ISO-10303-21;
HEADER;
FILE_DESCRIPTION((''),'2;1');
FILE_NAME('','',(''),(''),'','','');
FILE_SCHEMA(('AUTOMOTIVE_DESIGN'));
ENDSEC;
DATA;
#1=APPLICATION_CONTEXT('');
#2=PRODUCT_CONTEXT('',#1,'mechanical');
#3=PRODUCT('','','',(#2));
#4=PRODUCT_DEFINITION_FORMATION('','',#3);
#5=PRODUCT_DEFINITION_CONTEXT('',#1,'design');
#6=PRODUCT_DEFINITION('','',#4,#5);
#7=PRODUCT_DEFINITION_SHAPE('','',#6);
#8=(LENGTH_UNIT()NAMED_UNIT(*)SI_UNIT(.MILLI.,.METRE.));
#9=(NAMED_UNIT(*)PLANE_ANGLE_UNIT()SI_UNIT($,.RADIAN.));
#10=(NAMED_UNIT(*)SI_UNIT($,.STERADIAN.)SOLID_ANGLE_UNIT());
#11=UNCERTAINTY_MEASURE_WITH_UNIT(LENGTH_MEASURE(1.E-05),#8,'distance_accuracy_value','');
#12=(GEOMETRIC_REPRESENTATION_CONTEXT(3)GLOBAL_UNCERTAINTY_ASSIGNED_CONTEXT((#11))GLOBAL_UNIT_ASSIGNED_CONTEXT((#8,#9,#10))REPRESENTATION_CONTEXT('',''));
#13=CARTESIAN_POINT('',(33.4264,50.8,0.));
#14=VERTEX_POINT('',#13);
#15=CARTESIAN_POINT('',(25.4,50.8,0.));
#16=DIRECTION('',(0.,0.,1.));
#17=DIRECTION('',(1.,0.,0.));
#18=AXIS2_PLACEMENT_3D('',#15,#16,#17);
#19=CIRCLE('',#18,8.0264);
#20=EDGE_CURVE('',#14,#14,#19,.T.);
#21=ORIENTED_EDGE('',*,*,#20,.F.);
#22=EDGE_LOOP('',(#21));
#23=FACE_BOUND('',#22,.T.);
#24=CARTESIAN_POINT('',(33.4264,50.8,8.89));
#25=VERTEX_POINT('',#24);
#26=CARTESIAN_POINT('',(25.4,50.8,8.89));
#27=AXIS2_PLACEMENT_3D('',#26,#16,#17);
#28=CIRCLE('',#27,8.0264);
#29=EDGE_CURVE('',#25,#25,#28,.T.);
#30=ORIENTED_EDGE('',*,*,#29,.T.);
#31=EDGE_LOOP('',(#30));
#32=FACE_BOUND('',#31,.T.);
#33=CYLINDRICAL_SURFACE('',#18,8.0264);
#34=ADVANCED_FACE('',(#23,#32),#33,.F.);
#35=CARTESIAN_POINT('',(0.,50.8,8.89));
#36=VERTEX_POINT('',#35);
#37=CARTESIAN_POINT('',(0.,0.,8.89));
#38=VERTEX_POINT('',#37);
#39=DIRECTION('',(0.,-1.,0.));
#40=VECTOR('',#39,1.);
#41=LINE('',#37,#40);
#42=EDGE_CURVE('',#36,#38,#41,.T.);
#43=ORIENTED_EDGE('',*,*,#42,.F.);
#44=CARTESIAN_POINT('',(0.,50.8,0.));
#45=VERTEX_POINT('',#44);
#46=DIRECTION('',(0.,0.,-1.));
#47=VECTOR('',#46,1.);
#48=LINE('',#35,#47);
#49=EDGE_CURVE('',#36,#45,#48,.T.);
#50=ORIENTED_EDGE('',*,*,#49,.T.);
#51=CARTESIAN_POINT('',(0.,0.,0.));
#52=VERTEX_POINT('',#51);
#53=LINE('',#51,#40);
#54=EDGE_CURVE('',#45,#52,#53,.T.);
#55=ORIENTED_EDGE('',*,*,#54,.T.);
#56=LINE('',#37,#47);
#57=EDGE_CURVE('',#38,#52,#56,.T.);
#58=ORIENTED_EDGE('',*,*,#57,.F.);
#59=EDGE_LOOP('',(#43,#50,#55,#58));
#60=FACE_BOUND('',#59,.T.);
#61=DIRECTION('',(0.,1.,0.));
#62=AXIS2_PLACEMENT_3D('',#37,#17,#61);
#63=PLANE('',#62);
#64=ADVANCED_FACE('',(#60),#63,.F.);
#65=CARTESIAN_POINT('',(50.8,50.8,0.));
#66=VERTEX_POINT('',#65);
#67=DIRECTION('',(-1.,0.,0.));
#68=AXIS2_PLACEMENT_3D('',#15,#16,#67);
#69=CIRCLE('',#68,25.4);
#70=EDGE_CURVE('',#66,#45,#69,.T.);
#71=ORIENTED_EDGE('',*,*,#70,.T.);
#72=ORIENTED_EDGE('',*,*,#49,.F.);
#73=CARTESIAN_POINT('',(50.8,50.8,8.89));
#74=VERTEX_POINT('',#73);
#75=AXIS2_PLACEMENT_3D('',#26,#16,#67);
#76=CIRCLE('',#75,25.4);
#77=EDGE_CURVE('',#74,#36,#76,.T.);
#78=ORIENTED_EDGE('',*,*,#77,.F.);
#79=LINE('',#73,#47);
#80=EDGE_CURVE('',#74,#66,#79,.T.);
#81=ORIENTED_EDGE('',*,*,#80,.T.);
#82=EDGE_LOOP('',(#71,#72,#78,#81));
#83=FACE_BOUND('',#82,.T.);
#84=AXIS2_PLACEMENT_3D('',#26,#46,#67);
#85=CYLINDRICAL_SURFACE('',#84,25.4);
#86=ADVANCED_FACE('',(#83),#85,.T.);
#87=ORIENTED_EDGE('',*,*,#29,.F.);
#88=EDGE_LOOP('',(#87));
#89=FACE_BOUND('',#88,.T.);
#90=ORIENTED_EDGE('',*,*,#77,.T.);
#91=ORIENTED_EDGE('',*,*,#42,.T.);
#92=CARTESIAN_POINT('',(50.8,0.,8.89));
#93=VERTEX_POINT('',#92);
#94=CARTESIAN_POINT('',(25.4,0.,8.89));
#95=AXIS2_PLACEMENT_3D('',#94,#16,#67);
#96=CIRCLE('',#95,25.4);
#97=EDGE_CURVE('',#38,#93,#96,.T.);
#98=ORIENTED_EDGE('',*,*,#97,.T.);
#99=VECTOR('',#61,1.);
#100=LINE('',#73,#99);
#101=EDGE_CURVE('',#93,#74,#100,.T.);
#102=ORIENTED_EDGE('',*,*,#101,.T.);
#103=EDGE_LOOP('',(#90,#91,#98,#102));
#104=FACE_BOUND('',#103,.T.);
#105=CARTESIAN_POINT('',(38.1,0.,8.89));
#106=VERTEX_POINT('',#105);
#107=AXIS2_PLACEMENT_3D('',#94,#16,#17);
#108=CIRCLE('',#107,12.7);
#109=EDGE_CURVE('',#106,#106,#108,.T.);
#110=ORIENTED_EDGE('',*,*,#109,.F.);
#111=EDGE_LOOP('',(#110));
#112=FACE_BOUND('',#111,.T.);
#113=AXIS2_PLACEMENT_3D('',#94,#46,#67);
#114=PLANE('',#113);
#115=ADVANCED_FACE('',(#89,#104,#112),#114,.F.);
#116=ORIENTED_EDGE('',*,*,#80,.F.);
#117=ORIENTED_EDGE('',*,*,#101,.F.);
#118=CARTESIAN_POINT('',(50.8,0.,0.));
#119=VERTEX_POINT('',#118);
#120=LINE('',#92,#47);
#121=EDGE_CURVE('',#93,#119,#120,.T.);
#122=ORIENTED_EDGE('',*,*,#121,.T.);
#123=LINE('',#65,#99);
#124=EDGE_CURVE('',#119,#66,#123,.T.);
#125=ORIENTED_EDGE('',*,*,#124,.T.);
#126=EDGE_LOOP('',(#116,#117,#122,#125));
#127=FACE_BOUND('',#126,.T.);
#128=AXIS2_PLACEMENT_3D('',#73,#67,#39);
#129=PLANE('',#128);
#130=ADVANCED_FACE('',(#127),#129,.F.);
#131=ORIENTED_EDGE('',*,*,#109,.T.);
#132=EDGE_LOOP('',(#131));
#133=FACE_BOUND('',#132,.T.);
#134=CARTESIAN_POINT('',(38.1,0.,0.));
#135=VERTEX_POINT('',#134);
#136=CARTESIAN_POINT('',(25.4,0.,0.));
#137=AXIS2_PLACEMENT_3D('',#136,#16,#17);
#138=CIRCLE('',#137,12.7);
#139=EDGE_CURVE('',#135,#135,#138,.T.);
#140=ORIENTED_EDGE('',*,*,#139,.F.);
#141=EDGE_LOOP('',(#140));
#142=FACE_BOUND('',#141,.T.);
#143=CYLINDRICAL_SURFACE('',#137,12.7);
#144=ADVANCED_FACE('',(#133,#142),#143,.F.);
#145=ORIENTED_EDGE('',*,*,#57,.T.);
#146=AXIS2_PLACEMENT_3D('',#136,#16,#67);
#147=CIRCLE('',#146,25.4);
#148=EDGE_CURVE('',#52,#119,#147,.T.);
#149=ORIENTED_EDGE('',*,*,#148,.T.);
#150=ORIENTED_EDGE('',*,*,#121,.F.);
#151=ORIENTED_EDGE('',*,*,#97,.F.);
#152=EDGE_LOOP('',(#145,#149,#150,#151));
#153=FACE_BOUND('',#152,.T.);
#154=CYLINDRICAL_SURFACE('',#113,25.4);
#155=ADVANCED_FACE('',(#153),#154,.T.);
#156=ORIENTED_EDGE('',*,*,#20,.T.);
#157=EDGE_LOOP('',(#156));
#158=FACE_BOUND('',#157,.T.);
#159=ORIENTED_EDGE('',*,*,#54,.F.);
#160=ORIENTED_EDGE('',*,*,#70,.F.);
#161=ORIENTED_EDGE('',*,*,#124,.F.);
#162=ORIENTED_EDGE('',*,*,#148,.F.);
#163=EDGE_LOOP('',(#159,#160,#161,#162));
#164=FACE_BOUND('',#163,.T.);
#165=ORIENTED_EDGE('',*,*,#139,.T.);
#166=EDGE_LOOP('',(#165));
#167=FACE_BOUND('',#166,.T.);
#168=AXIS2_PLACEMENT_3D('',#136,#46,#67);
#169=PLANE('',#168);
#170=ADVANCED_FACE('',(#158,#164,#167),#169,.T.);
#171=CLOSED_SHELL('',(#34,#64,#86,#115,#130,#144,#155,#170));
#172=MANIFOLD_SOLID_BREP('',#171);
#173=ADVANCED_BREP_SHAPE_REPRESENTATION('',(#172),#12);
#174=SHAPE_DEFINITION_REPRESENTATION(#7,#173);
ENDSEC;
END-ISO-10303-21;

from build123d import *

# Parameters (mm, degrees)
BOSS_EXTRUDE1_DEPTH = 8.89
SKETCH2_R           = 12.7
SKETCH2_R_2         = 8.0264
CUT_EXTRUDE2_DEPTH  = 93.011478088


with BuildPart() as part:
    # Sketch1 → Boss-Extrude1 (new body)
    with BuildSketch(Plane.XY):
        with BuildLine():
            Line((0, 0), (0, 50.8))
            ThreePointArc((0, 50.8), (25.4, 76.2), (50.8, 50.8))
            Line((50.8, 50.8), (50.8, 0))
            ThreePointArc((50.8, 0), (25.4, -25.4), (0, 0))
        make_face()
    extrude(amount=BOSS_EXTRUDE1_DEPTH)

    # Sketch2 → Cut-Extrude2 (cut, through all)
    with BuildSketch(Plane.XY.offset(8.89)):
        with Locations((25.4, 0)):
            Circle(SKETCH2_R)
        with Locations((25.4, 50.8)):
            Circle(SKETCH2_R_2)
    extrude(amount=-CUT_EXTRUDE2_DEPTH, mode=Mode.SUBTRACT)


solid = part.part
